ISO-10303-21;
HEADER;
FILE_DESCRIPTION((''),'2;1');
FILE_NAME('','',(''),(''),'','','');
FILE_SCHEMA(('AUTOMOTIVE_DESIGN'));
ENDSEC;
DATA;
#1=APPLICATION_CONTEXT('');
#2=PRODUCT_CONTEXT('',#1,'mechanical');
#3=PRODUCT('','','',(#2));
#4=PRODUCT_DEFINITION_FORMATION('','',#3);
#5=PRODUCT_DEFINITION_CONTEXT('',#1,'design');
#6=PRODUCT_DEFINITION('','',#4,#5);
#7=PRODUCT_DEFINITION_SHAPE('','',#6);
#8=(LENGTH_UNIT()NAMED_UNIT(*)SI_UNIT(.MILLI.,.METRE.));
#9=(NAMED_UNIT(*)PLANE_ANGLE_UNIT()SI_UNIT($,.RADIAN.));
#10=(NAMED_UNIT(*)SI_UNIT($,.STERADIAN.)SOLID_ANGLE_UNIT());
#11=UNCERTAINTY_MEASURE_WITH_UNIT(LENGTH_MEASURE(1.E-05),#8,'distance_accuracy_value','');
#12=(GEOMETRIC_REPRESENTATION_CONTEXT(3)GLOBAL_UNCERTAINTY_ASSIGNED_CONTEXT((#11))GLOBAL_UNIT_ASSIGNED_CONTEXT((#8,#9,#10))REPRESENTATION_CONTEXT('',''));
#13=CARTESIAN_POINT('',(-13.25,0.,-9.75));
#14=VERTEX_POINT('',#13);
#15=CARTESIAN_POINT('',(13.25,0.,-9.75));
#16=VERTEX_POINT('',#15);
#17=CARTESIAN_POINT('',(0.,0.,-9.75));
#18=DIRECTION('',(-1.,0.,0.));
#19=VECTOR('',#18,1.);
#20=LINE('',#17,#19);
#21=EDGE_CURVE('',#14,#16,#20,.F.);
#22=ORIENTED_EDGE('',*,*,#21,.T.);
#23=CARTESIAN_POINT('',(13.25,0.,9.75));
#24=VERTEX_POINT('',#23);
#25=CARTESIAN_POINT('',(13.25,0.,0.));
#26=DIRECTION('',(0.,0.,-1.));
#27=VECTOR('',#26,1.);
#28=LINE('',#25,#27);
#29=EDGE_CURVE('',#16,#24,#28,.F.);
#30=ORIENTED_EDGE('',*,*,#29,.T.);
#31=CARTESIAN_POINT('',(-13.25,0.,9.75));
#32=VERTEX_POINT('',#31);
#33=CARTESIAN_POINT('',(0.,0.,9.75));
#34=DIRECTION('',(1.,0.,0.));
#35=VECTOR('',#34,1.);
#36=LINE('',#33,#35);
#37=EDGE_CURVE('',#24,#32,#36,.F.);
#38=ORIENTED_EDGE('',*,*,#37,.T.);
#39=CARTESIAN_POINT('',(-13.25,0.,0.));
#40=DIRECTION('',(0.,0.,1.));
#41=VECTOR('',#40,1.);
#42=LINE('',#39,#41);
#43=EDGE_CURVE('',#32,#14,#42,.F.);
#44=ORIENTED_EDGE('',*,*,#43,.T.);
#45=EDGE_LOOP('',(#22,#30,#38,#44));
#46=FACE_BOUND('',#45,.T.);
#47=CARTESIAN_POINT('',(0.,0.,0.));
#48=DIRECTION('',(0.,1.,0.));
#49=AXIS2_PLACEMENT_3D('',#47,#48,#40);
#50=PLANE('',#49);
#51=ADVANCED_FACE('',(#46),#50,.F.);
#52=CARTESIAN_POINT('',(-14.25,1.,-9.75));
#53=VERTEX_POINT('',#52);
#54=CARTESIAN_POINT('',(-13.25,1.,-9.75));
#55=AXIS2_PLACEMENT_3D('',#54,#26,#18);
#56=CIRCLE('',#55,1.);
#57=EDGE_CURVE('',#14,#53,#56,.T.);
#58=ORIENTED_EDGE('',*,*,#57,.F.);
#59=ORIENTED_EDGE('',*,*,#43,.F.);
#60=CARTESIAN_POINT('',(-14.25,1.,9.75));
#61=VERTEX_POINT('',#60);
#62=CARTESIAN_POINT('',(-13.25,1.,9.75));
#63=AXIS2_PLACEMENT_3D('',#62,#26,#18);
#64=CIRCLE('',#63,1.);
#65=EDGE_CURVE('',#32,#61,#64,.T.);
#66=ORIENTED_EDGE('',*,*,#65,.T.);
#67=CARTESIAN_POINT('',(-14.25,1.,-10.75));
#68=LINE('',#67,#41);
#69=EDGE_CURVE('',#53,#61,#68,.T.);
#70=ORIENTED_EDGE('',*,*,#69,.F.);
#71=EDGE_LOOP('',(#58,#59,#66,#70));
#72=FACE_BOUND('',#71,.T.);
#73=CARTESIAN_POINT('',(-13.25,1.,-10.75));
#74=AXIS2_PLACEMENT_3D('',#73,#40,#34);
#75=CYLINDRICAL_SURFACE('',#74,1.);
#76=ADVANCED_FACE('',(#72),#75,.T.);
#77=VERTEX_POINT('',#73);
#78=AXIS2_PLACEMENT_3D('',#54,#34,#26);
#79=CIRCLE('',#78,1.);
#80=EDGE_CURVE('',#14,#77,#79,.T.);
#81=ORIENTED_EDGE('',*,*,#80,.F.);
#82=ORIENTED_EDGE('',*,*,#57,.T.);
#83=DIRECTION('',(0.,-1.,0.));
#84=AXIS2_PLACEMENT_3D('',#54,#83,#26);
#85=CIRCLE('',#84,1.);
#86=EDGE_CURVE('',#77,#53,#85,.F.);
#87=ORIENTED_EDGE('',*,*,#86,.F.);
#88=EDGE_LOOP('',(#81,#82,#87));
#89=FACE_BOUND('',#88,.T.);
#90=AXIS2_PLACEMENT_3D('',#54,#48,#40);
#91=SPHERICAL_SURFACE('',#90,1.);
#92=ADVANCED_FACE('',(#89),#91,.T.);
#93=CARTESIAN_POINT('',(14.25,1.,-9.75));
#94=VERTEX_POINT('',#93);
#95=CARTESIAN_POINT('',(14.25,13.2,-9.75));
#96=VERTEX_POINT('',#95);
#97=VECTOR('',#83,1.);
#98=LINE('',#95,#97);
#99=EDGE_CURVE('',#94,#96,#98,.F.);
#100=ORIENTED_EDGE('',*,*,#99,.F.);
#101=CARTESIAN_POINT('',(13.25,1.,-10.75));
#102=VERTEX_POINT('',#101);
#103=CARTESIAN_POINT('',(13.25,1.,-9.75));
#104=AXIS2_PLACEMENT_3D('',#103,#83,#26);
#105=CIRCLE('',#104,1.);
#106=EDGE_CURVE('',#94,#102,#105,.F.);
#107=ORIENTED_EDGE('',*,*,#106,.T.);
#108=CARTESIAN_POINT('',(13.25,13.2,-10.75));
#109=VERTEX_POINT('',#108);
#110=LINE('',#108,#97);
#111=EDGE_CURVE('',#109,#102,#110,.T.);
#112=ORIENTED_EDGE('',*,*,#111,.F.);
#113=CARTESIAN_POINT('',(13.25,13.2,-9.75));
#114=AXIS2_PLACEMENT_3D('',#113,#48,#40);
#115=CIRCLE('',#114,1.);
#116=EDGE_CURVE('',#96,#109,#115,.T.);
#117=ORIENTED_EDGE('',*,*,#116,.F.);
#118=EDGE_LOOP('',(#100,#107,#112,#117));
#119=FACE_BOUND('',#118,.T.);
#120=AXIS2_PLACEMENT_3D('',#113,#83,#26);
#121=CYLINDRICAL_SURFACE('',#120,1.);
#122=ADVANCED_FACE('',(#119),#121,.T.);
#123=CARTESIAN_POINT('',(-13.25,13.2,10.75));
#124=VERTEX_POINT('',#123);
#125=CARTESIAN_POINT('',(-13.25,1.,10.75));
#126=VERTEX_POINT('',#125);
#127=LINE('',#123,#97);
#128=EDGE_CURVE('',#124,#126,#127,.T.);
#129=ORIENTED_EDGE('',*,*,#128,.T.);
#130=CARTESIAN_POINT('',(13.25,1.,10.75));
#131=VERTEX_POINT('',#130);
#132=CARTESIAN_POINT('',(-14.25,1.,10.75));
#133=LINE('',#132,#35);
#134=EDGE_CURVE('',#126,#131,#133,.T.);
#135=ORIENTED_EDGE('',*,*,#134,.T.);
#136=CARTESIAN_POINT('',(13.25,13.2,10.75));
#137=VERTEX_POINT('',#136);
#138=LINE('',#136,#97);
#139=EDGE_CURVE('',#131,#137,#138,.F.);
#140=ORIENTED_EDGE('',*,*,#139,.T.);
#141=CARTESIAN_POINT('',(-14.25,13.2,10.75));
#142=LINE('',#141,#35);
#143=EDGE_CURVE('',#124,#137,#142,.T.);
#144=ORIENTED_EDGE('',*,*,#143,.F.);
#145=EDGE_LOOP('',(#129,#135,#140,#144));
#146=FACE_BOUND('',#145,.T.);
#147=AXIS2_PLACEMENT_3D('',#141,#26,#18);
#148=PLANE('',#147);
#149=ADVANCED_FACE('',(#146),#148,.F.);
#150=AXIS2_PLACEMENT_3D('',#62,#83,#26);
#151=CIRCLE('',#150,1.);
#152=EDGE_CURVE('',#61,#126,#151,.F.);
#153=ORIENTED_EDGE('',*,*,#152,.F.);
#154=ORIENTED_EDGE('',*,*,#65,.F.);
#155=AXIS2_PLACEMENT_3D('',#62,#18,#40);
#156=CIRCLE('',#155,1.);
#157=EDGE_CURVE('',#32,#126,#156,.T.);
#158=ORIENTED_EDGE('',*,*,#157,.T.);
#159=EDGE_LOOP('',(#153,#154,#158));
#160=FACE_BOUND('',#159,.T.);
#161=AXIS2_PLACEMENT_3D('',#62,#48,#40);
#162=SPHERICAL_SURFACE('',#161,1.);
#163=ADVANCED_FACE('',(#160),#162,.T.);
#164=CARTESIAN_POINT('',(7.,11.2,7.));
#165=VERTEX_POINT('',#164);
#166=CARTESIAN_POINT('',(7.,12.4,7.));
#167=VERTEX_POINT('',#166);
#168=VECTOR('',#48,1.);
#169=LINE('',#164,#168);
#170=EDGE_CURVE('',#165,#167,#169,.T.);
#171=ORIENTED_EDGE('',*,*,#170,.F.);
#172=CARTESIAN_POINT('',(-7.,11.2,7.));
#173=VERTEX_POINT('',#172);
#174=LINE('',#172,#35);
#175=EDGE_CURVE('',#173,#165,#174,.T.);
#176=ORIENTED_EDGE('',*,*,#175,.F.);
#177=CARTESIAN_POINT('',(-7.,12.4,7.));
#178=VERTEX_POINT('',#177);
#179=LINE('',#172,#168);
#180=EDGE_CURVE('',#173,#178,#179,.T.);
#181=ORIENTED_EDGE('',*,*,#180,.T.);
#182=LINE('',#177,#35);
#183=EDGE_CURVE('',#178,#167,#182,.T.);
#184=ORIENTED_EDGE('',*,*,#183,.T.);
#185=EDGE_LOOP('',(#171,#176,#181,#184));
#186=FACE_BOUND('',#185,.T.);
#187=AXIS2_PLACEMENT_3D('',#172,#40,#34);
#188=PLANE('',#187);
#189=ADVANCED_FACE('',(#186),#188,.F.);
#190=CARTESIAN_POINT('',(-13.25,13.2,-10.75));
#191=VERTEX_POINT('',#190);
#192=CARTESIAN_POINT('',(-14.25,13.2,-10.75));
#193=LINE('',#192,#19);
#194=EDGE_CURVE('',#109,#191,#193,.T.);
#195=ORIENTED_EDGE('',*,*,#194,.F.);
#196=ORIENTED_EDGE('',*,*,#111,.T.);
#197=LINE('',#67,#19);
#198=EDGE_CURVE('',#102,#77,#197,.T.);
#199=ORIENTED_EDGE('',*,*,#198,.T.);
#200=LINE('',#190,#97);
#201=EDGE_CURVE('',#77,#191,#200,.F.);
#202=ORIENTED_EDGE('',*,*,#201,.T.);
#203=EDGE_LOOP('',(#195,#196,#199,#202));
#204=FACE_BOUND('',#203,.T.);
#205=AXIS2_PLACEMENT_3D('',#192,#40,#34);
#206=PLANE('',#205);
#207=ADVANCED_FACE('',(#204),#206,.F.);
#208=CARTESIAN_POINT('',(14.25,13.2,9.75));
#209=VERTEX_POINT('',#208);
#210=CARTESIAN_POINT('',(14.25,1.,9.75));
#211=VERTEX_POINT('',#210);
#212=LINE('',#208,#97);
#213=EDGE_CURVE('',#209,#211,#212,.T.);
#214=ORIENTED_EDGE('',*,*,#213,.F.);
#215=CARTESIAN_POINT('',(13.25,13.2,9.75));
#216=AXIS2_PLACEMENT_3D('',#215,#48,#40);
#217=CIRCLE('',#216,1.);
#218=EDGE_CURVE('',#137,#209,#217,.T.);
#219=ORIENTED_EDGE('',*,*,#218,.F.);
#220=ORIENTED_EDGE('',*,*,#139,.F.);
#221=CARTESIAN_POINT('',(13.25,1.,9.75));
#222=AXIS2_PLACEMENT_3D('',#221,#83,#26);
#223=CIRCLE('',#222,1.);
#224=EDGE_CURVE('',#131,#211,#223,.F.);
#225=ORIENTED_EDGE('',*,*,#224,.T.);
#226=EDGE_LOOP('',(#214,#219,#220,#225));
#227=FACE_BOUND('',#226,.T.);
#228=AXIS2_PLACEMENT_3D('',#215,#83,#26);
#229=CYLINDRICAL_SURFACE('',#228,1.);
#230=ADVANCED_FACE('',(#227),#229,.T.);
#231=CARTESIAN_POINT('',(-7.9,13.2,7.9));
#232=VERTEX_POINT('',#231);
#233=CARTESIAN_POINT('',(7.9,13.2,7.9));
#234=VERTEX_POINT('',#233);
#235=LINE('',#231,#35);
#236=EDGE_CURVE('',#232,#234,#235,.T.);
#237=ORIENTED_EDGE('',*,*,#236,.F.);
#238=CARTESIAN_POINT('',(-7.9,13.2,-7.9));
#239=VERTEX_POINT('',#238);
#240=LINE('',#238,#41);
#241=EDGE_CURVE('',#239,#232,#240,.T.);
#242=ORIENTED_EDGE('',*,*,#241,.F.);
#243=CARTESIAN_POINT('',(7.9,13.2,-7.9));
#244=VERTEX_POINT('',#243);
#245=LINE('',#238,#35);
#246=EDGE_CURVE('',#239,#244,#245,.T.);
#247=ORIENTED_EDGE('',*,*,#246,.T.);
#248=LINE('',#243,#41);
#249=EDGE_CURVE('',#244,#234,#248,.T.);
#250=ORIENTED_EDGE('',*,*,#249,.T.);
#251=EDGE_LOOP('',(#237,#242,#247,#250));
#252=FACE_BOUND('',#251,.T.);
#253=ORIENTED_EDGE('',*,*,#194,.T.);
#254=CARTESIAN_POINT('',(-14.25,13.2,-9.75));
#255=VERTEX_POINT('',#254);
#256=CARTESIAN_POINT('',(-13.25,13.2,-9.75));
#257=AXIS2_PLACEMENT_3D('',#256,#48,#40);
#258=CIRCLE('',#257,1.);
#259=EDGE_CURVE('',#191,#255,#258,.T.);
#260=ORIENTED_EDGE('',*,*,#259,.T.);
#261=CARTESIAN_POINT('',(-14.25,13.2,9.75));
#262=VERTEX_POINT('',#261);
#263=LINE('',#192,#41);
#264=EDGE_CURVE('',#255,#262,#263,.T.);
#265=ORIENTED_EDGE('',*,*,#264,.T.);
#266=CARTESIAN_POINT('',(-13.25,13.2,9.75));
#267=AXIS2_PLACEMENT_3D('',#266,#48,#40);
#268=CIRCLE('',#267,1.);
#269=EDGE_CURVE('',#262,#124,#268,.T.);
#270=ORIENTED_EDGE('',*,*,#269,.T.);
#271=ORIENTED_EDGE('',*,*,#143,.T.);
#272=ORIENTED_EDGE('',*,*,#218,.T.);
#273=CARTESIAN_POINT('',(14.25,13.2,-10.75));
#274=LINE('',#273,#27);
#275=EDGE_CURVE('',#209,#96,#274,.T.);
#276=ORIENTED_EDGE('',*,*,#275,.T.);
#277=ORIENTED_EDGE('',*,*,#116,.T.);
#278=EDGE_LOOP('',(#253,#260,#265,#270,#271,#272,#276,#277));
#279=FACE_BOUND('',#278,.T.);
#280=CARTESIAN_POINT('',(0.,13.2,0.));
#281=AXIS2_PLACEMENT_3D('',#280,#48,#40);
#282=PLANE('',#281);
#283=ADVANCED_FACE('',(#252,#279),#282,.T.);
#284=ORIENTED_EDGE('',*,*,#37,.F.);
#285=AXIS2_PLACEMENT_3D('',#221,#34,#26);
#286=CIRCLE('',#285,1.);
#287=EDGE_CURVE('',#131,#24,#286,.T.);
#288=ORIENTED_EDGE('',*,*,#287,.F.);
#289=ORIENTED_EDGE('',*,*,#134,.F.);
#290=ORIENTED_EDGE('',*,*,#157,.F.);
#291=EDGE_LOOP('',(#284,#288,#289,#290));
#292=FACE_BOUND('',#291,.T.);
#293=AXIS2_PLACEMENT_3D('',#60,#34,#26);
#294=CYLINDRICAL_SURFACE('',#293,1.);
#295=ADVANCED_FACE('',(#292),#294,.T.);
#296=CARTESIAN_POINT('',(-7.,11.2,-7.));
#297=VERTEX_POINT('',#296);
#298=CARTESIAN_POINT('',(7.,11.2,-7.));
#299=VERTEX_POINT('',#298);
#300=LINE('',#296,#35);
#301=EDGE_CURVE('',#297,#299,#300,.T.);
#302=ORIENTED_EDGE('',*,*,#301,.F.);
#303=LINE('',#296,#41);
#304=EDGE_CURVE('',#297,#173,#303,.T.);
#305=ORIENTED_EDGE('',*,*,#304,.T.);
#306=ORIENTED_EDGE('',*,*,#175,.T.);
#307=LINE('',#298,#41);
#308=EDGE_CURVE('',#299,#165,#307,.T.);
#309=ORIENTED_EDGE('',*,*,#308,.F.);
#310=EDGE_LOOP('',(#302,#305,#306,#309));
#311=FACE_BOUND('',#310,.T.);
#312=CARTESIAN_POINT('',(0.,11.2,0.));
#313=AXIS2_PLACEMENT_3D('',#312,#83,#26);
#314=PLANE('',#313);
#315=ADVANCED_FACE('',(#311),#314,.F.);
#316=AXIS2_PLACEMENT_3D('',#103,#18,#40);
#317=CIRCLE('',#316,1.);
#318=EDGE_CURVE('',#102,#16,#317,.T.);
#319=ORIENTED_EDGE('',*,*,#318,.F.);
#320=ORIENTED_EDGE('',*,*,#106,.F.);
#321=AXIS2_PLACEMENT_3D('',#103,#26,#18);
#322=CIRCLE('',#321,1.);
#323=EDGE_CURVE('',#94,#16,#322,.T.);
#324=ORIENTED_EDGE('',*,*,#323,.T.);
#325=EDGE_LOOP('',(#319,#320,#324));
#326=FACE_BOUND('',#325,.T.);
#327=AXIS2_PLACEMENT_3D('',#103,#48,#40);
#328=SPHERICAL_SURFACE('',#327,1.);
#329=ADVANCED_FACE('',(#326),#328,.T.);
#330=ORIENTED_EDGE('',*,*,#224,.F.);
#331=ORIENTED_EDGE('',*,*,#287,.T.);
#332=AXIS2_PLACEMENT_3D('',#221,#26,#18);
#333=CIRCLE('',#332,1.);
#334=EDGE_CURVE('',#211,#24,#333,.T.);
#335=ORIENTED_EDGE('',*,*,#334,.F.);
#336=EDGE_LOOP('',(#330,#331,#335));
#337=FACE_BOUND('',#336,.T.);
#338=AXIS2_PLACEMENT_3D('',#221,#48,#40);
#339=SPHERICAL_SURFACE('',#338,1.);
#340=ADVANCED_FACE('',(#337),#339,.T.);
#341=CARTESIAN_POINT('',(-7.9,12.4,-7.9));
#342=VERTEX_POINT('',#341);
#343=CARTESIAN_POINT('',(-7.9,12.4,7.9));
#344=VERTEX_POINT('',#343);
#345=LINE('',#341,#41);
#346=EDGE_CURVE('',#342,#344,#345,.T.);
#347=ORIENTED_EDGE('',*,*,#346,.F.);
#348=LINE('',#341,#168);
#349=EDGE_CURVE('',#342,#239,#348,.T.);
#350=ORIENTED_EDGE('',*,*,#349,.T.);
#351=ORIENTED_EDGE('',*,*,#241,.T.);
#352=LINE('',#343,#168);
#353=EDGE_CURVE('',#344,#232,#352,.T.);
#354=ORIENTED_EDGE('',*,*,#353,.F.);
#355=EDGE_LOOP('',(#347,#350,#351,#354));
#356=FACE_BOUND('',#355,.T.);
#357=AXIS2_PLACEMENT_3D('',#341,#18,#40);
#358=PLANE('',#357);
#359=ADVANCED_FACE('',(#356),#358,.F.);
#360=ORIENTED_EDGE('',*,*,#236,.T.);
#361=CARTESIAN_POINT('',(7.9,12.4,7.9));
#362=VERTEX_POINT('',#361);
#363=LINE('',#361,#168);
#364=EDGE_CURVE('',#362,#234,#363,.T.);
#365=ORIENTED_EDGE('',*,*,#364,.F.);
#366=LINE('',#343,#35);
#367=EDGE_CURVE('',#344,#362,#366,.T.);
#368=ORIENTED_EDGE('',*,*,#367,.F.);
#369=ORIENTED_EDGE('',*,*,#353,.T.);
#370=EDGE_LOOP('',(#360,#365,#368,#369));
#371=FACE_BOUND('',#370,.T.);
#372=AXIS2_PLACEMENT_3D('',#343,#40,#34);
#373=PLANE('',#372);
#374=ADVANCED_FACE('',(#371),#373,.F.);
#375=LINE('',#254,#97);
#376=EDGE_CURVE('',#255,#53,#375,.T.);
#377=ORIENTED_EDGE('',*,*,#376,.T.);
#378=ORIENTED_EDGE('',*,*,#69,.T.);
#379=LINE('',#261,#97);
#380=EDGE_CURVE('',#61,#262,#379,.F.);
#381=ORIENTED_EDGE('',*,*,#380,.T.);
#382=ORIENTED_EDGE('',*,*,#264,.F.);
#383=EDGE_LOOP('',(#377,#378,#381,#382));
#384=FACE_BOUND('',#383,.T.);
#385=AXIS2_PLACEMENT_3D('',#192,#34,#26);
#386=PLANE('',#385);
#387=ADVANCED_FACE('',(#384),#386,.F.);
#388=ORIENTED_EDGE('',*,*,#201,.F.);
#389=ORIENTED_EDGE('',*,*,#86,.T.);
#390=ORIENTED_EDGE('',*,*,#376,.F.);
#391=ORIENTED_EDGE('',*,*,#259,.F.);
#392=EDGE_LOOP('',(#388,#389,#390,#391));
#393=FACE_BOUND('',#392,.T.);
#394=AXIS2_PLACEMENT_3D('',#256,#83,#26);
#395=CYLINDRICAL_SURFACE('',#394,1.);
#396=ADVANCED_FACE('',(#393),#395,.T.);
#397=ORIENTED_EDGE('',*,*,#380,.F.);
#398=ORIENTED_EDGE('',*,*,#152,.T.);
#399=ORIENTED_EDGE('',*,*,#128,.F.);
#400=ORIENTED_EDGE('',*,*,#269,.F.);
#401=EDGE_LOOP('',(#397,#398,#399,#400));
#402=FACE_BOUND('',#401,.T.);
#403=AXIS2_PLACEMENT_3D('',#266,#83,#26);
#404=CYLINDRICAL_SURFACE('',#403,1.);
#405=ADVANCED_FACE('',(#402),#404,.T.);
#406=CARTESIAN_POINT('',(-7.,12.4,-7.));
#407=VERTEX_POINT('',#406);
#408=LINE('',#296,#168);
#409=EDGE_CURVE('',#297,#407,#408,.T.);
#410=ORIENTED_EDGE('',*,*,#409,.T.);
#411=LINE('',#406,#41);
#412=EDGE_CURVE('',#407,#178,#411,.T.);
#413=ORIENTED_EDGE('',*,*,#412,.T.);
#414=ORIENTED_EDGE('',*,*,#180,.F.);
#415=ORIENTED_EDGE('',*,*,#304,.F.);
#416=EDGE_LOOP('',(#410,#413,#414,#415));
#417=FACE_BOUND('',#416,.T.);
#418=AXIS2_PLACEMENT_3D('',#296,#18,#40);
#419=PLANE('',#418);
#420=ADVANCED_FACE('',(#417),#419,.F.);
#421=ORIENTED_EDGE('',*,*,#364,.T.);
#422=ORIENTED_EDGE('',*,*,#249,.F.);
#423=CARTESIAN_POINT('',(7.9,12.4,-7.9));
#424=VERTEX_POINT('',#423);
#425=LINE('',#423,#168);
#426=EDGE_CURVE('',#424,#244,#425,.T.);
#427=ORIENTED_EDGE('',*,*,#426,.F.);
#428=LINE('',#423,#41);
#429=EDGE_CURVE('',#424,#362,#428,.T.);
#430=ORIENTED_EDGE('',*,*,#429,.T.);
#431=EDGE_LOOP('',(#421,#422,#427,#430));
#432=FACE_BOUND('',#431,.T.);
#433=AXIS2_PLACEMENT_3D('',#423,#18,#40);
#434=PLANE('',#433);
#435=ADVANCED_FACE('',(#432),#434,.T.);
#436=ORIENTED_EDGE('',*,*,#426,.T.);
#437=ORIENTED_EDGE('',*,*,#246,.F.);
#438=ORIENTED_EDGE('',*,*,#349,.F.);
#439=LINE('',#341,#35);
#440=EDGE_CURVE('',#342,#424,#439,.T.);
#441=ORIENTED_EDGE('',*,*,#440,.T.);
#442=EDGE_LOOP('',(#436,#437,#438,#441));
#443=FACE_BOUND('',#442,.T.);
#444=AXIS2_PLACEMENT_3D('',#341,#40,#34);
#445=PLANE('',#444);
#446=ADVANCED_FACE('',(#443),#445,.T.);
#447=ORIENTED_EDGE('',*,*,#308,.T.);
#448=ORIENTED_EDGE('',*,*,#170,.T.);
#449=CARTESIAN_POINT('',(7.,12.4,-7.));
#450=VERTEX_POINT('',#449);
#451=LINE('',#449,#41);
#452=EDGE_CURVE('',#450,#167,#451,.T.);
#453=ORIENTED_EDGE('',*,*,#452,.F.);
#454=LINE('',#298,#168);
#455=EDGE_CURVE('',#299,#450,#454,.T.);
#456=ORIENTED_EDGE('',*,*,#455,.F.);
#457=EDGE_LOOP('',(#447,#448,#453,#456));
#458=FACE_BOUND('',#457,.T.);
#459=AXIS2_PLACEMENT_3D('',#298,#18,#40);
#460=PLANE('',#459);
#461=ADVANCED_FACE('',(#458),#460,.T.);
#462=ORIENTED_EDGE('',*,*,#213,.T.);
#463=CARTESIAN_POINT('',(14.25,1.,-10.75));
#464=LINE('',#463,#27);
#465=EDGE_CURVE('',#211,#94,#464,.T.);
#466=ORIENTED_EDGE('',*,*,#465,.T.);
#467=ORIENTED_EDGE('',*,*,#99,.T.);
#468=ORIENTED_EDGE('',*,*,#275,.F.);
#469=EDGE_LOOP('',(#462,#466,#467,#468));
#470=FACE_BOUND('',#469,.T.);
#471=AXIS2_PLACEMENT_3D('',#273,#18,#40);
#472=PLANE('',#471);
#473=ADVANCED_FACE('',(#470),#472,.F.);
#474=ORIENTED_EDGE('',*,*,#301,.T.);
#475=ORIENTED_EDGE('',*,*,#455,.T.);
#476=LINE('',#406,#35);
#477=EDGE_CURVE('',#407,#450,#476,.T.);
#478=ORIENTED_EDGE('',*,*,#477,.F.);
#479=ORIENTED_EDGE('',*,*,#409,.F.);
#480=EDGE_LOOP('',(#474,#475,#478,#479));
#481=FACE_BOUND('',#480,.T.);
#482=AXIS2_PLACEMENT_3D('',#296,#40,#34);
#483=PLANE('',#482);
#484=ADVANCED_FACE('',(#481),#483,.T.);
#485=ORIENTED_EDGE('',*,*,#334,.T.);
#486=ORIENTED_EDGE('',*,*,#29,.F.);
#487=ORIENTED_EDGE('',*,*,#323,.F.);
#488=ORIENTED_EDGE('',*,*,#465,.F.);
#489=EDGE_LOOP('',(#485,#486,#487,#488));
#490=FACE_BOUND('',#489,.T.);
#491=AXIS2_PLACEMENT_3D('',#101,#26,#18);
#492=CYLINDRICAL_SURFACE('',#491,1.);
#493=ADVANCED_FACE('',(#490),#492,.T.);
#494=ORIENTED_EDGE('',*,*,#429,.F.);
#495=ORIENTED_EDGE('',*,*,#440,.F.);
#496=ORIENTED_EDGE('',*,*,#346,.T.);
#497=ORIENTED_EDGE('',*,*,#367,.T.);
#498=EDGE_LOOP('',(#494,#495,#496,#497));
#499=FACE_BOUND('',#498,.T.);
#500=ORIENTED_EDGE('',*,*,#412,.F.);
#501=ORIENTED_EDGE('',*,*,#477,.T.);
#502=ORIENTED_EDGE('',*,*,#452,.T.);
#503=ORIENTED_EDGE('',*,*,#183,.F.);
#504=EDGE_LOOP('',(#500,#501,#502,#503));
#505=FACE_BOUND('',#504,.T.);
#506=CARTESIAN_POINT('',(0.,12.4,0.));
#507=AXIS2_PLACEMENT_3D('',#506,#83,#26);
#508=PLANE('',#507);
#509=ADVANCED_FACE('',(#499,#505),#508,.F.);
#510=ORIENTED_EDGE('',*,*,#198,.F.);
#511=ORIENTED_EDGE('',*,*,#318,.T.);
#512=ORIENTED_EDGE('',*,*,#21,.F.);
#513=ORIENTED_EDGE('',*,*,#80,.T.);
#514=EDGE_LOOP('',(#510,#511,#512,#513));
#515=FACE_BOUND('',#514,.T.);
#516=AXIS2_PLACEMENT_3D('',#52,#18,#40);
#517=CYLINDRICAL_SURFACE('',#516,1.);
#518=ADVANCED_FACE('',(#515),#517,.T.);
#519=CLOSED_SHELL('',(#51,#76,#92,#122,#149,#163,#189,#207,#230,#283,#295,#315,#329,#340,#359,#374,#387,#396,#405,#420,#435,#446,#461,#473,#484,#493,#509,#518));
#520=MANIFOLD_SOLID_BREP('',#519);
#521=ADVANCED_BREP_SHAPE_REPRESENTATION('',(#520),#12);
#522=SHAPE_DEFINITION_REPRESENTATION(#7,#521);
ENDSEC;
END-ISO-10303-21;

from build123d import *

# Parameters (mm, degrees)
SKETCH_1_W          = 28.5
SKETCH_1_H          = 21.5
EXTRUDE_1_DEPTH     = 13.2
FILLET_1_R          = 1
SKETCH_3_W          = 14
SKETCH_3_H          = 14
CUT_EXTRUDE_2_DEPTH = 2
SKETCH_4_W          = 15.8
SKETCH_4_H          = 15.8
CUT_EXTRUDE_3_DEPTH = 0.8
FILLET_2_R          = 1


with BuildPart() as part:
    # 草图1 → 凸台-拉伸1 (new body)
    with BuildSketch(Plane(origin=(0, 0, 0), x_dir=(1, 0, 0), z_dir=(0, 1, 0))):
        Rectangle(SKETCH_1_W, SKETCH_1_H)
    extrude(amount=EXTRUDE_1_DEPTH)

    # 圆角1
    fillet_1_edges = [part.edges().sort_by_distance(p)[0] for p in [
        (14.25, 6.6, 10.75),
        (-14.25, 6.6, 10.75),
        (-14.25, 6.6, -10.75),
        (14.25, 6.6, -10.75),
    ]]
    fillet(fillet_1_edges, radius=FILLET_1_R)

    # 草图3 → 切除-拉伸2 (cut)
    with BuildSketch(Plane(origin=(0, 13.2, 0), x_dir=(1, 0, 0), z_dir=(0, 1, 0))):
        Rectangle(SKETCH_3_W, SKETCH_3_H)
    extrude(amount=-CUT_EXTRUDE_2_DEPTH, mode=Mode.SUBTRACT)

    # 草图4 → 切除-拉伸3 (cut)
    with BuildSketch(Plane(origin=(0, 13.2, 0), x_dir=(1, 0, 0), z_dir=(0, 1, 0))):
        Rectangle(SKETCH_4_W, SKETCH_4_H)
    extrude(amount=-CUT_EXTRUDE_3_DEPTH, mode=Mode.SUBTRACT)

    # 圆角2
    fillet_2_edges = [part.edges().sort_by_distance(p)[0] for p in [
        (14.25, 0, 0),
        (0, 0, 10.75),
        (-14.25, 0, 0),
        (0, 0, -10.75),
        (13.957106781, 0, -10.457106781),
        (-13.957106781, 0, -10.457106781),
        (-13.957106781, 0, 10.457106781),
        (13.957106781, 0, 10.457106781),
    ]]
    fillet(fillet_2_edges, radius=FILLET_2_R)


solid = part.part
